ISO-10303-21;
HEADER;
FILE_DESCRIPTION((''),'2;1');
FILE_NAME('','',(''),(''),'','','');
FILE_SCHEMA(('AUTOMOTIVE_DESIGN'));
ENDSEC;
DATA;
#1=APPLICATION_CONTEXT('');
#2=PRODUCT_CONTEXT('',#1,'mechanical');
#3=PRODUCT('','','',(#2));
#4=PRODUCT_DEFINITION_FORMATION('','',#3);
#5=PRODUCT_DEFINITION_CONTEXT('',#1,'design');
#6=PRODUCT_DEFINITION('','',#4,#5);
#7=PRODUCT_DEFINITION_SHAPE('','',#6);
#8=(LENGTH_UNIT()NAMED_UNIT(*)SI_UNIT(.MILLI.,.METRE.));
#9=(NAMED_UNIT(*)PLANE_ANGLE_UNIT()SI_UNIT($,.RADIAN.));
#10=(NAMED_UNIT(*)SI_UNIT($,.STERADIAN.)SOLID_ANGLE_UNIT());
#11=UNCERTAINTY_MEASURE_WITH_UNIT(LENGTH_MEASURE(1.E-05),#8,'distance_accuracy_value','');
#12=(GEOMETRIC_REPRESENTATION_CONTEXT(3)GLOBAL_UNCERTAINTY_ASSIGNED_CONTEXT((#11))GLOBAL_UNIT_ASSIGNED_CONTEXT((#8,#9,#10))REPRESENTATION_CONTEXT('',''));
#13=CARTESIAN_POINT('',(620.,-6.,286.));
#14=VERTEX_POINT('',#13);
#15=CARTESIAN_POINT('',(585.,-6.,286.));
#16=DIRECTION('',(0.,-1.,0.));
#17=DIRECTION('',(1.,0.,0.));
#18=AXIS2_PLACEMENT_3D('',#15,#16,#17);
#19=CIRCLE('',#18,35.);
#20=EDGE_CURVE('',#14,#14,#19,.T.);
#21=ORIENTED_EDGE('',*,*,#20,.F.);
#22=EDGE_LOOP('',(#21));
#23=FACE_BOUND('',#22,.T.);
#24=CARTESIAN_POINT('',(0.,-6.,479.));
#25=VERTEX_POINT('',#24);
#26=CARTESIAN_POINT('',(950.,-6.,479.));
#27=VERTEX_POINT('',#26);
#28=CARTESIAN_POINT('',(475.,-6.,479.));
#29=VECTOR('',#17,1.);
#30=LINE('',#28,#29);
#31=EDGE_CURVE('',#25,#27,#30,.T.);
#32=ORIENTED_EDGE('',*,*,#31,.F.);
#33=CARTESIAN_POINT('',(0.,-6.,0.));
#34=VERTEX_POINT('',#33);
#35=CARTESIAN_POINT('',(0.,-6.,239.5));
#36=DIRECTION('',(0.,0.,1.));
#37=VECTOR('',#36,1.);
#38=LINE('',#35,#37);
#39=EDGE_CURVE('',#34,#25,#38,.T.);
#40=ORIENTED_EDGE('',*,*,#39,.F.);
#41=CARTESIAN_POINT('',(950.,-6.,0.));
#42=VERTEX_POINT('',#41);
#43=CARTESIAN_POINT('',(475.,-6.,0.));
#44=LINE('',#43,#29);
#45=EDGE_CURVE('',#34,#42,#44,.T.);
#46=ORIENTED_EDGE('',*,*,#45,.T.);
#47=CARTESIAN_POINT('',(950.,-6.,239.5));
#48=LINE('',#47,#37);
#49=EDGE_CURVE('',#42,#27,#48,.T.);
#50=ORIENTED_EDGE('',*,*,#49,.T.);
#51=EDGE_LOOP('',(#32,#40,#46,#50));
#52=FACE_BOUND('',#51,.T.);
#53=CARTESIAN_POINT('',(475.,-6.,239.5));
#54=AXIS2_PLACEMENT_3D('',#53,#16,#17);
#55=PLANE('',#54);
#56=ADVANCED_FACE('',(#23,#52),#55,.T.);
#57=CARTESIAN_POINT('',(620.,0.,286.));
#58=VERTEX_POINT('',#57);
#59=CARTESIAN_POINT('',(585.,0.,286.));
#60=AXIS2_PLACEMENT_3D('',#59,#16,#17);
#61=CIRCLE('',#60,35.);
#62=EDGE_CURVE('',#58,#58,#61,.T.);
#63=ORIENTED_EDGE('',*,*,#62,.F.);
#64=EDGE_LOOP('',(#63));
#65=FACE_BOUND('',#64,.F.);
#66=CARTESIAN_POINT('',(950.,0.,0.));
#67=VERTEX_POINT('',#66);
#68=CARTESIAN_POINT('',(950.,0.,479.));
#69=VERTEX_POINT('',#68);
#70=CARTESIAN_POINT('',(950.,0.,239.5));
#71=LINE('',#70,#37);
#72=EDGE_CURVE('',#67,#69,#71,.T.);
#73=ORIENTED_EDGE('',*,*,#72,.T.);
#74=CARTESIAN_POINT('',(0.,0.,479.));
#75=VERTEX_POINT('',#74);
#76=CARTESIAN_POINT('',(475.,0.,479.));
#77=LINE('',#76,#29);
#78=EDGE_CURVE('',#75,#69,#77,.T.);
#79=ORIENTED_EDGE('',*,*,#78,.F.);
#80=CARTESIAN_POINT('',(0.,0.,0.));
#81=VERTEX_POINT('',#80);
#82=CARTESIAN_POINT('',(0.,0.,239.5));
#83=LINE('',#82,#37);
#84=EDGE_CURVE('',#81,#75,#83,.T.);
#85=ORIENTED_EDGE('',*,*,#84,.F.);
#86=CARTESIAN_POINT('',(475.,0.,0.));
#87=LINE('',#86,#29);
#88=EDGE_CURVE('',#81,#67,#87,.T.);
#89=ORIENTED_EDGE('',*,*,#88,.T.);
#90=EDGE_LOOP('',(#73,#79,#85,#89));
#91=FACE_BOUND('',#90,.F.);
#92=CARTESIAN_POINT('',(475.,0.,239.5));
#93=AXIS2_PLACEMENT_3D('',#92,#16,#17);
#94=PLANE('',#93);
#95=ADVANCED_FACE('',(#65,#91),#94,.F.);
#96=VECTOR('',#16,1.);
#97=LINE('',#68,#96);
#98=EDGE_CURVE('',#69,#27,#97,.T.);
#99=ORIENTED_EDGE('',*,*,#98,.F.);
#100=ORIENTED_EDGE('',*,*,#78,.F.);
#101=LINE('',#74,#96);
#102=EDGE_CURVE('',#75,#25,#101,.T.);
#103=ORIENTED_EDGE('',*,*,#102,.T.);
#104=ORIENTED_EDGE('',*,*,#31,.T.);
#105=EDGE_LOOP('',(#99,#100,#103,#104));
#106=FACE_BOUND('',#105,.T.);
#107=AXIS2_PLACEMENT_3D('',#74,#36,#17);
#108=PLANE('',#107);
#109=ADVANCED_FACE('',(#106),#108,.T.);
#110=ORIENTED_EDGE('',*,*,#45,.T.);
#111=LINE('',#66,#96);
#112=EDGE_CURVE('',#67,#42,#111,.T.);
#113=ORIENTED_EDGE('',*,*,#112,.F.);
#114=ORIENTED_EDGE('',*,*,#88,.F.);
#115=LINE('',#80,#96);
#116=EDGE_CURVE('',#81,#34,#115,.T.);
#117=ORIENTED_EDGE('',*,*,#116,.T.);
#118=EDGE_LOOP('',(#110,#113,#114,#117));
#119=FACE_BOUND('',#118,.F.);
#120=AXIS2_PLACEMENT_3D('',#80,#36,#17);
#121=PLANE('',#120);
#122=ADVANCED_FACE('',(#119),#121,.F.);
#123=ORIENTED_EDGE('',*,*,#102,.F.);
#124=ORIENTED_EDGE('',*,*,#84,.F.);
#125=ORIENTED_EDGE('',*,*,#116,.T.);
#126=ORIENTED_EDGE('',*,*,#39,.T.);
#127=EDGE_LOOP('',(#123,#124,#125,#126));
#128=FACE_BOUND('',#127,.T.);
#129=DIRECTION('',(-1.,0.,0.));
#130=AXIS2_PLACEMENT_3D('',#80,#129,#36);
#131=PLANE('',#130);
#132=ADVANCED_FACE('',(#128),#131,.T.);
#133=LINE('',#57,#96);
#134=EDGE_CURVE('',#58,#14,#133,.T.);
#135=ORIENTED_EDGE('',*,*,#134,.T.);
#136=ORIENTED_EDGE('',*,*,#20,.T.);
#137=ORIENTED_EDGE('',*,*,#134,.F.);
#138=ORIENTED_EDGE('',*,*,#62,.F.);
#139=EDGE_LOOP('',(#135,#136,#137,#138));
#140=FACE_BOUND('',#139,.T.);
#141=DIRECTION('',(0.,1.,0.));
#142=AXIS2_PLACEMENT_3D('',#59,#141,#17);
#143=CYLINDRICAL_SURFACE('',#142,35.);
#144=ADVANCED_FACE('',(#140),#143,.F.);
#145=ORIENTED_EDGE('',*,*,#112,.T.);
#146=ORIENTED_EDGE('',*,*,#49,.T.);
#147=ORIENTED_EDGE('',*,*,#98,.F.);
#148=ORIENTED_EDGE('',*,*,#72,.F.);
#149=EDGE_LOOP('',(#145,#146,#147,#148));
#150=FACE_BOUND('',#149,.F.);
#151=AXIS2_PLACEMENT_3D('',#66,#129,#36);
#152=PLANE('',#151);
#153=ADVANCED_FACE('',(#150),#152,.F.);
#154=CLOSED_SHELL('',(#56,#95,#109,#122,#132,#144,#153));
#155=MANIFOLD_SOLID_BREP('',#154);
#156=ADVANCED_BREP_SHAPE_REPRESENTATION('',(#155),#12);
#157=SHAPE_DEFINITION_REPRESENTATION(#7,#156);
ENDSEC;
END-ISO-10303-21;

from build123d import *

# Parameters (mm, degrees)
F0_W     = 950
F0_H     = 479
F1_DEPTH = 6
F2_R     = 35
F3_DEPTH = 6


with BuildPart() as f1:
    # F0 (on Front) → F1 (new body)
    with BuildSketch(Plane.XZ):
        with Locations((475, 239.5)):
            Rectangle(F0_W, F0_H)
    extrude(amount=F1_DEPTH)

    # F2 (on Front) → F3 (cut, through all)
    with BuildSketch(Plane.XZ):
        with Locations((585, 286)):
            Circle(F2_R)
    extrude(amount=F3_DEPTH, mode=Mode.SUBTRACT)


solid = f1.part
